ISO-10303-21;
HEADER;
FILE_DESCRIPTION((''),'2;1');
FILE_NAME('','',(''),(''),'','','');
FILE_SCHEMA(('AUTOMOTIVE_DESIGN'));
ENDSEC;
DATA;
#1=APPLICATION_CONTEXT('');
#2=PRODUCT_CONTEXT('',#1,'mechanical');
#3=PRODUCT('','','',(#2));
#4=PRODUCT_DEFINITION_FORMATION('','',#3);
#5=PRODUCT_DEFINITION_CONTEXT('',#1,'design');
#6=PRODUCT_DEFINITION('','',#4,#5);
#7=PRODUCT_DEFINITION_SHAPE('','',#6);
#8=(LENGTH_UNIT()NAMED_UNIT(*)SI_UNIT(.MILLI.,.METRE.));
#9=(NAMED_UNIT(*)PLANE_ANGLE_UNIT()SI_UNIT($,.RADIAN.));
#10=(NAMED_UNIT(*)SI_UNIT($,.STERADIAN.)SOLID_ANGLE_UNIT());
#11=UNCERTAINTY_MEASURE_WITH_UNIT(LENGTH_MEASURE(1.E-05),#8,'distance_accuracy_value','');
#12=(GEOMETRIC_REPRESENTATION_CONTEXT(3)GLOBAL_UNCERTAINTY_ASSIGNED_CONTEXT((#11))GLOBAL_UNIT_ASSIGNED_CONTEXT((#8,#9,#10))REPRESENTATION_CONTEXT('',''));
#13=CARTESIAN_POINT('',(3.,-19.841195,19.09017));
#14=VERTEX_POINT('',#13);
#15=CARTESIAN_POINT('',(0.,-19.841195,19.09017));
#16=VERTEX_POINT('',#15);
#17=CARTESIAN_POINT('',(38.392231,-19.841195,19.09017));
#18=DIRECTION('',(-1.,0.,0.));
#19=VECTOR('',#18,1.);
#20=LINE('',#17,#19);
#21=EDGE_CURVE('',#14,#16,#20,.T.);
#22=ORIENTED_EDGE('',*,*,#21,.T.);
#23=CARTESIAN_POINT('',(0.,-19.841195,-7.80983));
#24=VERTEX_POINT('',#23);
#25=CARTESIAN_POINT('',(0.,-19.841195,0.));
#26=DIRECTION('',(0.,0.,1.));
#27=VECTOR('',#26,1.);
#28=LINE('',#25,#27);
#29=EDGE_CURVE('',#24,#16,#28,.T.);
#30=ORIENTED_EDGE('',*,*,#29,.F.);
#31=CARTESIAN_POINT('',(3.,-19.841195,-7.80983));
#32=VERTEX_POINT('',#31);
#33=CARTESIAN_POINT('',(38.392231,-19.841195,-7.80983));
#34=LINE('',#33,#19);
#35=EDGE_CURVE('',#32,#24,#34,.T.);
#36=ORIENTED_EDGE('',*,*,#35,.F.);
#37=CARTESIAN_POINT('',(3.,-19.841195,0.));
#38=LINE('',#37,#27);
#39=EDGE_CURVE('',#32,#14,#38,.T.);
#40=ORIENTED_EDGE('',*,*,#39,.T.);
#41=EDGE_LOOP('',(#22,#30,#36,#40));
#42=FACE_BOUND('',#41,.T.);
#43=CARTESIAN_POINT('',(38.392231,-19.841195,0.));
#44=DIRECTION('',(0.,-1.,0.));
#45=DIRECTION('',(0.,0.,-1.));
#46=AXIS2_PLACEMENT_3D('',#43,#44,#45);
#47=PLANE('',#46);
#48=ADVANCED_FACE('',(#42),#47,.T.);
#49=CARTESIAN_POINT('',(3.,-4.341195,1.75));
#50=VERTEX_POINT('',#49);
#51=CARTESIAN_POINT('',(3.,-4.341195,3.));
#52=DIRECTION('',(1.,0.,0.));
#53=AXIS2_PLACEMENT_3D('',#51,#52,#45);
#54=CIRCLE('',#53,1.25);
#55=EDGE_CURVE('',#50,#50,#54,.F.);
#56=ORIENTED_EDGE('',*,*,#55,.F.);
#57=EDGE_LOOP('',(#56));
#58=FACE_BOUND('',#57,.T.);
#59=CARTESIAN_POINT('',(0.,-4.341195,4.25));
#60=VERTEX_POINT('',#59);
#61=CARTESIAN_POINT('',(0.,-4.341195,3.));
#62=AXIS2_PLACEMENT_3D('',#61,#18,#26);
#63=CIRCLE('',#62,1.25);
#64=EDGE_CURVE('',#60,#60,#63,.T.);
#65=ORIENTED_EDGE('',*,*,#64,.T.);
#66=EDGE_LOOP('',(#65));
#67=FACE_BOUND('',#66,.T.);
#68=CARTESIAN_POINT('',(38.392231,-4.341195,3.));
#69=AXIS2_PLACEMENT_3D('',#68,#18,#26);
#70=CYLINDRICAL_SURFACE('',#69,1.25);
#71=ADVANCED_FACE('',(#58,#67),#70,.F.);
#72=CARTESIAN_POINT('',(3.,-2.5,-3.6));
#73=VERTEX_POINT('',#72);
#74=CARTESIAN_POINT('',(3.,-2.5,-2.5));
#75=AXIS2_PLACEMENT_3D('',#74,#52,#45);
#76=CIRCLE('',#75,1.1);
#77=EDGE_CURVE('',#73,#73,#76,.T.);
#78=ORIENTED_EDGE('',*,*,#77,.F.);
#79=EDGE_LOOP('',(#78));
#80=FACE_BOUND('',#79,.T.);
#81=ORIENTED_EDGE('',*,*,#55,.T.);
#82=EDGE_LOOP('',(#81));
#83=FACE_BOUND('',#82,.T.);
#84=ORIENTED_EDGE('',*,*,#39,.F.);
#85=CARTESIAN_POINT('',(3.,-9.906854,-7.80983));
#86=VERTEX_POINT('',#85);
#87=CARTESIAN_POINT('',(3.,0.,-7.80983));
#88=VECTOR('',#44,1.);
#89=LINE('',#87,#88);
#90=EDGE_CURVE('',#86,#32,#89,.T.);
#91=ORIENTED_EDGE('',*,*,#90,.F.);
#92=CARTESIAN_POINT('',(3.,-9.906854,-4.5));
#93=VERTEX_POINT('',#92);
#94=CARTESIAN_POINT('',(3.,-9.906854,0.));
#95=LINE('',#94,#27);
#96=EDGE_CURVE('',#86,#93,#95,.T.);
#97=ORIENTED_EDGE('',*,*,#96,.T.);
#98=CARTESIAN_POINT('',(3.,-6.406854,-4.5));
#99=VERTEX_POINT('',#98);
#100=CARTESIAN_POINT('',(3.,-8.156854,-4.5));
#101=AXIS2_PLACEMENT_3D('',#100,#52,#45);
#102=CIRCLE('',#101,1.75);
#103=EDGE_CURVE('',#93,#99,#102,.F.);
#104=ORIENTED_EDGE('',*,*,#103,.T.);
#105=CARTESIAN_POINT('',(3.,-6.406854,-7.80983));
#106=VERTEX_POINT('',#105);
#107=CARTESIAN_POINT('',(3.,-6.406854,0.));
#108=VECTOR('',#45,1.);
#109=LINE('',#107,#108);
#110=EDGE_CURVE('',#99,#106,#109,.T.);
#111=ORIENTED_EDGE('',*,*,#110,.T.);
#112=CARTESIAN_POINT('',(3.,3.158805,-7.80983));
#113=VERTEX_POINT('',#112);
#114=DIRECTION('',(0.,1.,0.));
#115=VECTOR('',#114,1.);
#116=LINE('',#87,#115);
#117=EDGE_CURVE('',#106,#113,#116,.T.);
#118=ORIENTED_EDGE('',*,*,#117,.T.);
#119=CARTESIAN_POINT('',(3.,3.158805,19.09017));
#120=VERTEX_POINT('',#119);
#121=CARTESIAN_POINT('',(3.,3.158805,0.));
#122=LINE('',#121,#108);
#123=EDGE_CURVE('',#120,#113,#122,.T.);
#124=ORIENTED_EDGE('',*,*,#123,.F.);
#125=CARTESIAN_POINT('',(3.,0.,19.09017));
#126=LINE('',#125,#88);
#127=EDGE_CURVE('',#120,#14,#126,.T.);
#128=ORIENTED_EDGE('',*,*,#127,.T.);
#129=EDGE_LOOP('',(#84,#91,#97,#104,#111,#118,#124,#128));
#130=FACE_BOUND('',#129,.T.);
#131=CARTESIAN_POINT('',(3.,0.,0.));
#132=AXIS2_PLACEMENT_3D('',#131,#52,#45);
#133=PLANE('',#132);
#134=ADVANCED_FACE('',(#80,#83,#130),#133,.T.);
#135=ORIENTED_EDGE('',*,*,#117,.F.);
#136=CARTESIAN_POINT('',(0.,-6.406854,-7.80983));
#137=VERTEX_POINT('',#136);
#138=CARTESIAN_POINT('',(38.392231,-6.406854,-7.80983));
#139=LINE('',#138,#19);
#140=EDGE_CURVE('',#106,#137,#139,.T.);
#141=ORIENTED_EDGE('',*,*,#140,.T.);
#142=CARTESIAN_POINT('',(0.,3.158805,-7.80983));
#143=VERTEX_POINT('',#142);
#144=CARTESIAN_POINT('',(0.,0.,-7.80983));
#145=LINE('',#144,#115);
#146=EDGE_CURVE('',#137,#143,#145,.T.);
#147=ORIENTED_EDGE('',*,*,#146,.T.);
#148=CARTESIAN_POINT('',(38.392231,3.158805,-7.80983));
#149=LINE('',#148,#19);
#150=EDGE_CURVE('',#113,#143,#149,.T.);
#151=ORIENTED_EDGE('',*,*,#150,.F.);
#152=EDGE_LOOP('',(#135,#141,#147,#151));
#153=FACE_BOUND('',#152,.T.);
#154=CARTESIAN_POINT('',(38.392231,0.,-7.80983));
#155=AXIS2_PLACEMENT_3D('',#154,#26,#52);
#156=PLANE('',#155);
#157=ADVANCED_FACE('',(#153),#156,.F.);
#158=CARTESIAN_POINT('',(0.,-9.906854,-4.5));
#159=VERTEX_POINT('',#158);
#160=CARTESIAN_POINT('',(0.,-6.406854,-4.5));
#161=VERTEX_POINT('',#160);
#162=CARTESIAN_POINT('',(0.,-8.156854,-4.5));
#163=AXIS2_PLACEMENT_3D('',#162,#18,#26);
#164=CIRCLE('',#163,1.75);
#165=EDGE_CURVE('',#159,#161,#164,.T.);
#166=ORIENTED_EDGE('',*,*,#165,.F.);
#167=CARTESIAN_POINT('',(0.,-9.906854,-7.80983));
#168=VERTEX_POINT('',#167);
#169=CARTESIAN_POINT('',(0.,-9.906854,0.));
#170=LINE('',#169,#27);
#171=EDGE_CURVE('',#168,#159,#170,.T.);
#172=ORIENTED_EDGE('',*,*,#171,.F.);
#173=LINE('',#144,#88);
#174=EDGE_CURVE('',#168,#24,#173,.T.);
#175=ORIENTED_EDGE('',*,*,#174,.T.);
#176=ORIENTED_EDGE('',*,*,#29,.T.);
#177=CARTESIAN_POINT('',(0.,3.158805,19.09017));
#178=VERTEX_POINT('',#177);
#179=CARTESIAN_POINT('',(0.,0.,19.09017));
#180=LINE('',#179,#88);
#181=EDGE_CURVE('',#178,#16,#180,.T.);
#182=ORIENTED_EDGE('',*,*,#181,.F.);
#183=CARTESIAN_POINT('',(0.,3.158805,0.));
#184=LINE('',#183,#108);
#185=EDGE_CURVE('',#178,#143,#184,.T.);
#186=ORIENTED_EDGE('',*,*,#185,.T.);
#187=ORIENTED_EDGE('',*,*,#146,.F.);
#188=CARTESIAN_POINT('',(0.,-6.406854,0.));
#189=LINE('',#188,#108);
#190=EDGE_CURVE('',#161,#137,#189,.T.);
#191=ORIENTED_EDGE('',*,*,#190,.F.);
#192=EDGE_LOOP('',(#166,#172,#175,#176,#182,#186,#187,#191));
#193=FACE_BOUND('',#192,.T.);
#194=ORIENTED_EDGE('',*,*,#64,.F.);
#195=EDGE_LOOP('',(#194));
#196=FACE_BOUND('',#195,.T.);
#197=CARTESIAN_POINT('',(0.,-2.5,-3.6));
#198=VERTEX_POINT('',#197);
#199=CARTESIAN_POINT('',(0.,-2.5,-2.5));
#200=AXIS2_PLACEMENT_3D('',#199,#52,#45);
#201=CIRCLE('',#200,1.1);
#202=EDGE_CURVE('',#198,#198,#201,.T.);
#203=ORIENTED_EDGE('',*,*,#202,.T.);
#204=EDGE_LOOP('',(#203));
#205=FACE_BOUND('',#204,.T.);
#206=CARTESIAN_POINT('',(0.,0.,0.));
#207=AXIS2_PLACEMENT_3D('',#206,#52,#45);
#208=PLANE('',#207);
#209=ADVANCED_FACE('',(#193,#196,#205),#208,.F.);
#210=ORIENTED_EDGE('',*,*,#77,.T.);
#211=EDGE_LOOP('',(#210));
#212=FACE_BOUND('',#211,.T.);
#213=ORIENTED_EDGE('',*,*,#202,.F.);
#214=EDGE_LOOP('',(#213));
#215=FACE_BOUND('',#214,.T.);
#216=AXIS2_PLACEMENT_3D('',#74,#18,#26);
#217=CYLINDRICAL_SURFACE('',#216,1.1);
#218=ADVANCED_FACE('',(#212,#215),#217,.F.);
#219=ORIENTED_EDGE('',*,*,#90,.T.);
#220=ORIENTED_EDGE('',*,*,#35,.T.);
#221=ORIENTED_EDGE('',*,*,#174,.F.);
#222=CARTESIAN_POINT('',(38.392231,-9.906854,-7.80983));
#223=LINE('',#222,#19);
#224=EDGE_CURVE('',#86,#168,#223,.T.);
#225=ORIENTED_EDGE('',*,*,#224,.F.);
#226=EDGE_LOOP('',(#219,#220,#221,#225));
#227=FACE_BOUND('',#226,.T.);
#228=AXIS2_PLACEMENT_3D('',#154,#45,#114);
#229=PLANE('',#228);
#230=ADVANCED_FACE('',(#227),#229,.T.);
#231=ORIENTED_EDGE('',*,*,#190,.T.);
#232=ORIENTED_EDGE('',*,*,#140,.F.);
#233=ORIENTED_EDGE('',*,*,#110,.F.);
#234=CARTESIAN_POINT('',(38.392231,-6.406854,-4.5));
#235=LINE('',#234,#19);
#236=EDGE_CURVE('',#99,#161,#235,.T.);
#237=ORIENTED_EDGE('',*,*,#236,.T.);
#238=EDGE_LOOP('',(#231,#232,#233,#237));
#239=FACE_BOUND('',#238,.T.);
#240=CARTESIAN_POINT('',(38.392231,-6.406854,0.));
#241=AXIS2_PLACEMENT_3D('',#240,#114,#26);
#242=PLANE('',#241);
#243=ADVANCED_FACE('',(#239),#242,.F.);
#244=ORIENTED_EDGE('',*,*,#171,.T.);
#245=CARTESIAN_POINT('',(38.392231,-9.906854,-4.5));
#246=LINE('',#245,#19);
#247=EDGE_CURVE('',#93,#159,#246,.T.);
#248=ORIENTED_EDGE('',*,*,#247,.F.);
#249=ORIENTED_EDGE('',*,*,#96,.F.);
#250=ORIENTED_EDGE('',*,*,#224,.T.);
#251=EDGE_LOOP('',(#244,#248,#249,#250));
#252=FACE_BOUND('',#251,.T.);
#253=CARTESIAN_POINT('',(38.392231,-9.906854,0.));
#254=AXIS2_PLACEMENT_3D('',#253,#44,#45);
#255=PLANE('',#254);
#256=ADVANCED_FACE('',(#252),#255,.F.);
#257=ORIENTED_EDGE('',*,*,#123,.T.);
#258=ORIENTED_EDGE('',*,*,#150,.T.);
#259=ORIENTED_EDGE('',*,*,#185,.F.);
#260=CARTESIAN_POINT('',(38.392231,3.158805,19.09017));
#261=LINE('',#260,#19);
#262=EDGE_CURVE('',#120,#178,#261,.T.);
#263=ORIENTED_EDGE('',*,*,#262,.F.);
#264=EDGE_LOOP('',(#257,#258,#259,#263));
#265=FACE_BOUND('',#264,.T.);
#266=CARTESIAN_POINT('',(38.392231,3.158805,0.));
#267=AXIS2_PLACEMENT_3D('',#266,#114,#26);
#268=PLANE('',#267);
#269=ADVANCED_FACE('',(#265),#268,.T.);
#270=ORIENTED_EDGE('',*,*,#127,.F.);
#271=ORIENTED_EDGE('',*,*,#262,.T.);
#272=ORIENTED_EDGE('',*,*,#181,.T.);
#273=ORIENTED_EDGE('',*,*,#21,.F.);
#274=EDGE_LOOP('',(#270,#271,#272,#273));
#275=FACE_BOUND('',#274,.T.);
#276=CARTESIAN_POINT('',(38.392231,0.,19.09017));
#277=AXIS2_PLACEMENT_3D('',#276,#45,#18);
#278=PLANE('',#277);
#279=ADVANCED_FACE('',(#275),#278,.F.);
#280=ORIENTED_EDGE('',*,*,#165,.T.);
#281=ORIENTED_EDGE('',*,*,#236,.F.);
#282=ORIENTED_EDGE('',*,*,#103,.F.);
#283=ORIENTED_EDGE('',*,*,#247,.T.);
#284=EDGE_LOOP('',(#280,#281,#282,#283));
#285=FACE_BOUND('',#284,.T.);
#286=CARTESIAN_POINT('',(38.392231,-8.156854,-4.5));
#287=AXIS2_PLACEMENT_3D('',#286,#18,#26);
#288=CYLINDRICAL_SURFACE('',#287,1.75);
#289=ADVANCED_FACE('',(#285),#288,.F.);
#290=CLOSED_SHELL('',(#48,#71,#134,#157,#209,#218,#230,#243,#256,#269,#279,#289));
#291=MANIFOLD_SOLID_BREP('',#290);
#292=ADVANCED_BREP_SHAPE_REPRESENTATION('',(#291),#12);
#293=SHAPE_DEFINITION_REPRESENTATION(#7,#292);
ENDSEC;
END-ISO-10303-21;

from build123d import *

# Parameters (mm, degrees)
SKETCH_1_W      = 5
SKETCH_1_H      = 5
SKETCH_1_R      = 1.1
EXTRUDE_1_DEPTH = 3
SKETCH_2_W      = 2.809830056
SKETCH_2_H      = 3.158804736
SKETCH_2_H_2    = 9.934341015
EXTRUDE_2_DEPTH = 3


with BuildPart() as part:
    # 草图1 → 凸台-拉伸1 (new body)
    with BuildSketch(Plane(origin=(0, 0, 0), x_dir=(0, 0, -1), z_dir=(1, 0, 0))):
        with Locations((2.5, -2.5)):
            Rectangle(SKETCH_1_W, SKETCH_1_H)
        with Locations((2.5, -2.5)):
            Circle(SKETCH_1_R, mode=Mode.SUBTRACT)
    extrude(amount=EXTRUDE_1_DEPTH)

    # 草图2 → 凸台-拉伸2 (add)
    with BuildSketch(Plane.ZY):
        with Locations((-6.404915028, 1.579402368)):
            Rectangle(SKETCH_2_W, SKETCH_2_H)
        Polygon((-5, 3.158804736), (-5, 0), (0, 0), (19.090169944, 0), (19.090169944, 3.158804736), align=None)
        Polygon((-5, -5), (-5, 0), (-7.809830056, 0), (-7.809830056, -6.406854249), (-5, -6.406854249), align=None)
        with BuildLine():
            Line((0, -5), (-5, -5))
            Line((-5, -5), (-5, -6.406854249))
            Line((-5, -6.406854249), (-4.5, -6.406854249))
            ThreePointArc((-4.5, -6.406854249), (-3.262563133, -6.919417382), (-2.75, -8.156854249))
            ThreePointArc((-2.75, -8.156854249), (-3.262563133, -9.394291117), (-4.5, -9.906854249))
            Line((-4.5, -9.906854249), (-5, -9.906854249))
            Line((-5, -9.906854249), (-5, -19.841195264))
            Line((-5, -19.841195264), (19.090169944, -19.841195264))
            Line((19.090169944, -19.841195264), (19.090169944, -5))
            Line((19.090169944, -5), (4.062297661, -5))
            ThreePointArc((4.062297661, -5), (3, -5.591195264), (1.937702339, -5))
            Line((1.937702339, -5), (0, -5))
        make_face()
        with BuildLine():
            Line((19.090169944, 0), (0, 0))
            Line((0, 0), (0, -5))
            Line((0, -5), (1.937702339, -5))
            ThreePointArc((1.937702339, -5), (2.657488742, -3.139036357), (4.25, -4.341195264))
            ThreePointArc((4.25, -4.341195264), (4.202158907, -4.683706522), (4.062297661, -5))
            Line((4.062297661, -5), (19.090169944, -5))
            Line((19.090169944, -5), (19.090169944, 0))
        make_face()
        with Locations((-6.404915028, -14.874024756)):
            Rectangle(SKETCH_2_W, SKETCH_2_H_2)
    extrude(amount=-EXTRUDE_2_DEPTH)


solid = part.part
